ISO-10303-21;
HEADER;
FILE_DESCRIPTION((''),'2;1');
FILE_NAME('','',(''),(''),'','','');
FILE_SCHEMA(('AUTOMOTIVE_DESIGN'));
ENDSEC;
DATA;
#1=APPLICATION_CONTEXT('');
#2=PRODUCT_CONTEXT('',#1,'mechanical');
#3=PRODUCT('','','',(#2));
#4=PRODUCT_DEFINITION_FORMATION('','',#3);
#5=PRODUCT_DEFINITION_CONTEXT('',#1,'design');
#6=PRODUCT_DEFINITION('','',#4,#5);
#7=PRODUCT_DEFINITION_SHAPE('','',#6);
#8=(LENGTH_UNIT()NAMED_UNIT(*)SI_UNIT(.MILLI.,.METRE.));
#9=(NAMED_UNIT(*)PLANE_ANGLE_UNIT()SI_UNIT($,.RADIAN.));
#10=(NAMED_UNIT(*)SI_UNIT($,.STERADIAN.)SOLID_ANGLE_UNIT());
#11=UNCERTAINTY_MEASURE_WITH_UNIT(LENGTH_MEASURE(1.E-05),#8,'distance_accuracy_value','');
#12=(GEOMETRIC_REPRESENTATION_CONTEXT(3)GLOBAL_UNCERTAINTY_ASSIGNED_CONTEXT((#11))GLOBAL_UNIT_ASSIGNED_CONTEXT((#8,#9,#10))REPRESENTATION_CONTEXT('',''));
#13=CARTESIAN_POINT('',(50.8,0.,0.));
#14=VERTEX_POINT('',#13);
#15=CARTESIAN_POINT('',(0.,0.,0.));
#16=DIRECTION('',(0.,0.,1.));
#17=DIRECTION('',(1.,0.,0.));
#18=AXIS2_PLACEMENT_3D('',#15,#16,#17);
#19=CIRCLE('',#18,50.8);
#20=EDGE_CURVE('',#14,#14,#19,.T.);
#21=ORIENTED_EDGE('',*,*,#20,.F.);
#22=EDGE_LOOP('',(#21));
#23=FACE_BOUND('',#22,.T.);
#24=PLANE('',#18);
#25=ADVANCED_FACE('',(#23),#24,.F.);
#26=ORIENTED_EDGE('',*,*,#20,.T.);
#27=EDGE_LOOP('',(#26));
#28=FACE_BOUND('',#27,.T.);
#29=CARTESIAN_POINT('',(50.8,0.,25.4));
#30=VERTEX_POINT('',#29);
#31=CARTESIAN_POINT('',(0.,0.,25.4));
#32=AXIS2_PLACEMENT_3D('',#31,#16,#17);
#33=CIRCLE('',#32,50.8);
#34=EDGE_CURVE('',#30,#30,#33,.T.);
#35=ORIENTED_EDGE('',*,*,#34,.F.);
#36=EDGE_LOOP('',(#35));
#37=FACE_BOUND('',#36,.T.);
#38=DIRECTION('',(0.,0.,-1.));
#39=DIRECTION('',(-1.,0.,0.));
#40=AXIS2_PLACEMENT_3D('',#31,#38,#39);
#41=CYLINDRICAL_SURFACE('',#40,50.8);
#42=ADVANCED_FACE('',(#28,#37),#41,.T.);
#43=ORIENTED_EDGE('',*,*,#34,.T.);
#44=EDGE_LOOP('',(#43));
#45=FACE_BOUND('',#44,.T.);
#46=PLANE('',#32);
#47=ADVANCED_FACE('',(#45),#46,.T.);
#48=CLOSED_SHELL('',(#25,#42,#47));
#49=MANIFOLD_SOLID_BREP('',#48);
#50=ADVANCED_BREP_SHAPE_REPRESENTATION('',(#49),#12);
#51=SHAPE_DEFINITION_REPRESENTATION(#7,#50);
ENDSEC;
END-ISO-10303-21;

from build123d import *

# Parameters (mm, degrees)
SKETCH1_R           = 50.8
BOSS_EXTRUDE1_DEPTH = 25.4


with BuildPart() as part:
    # Sketch1 → Boss-Extrude1 (new body)
    with BuildSketch(Plane.XY):
        Circle(SKETCH1_R)
    extrude(amount=BOSS_EXTRUDE1_DEPTH)


solid = part.part
